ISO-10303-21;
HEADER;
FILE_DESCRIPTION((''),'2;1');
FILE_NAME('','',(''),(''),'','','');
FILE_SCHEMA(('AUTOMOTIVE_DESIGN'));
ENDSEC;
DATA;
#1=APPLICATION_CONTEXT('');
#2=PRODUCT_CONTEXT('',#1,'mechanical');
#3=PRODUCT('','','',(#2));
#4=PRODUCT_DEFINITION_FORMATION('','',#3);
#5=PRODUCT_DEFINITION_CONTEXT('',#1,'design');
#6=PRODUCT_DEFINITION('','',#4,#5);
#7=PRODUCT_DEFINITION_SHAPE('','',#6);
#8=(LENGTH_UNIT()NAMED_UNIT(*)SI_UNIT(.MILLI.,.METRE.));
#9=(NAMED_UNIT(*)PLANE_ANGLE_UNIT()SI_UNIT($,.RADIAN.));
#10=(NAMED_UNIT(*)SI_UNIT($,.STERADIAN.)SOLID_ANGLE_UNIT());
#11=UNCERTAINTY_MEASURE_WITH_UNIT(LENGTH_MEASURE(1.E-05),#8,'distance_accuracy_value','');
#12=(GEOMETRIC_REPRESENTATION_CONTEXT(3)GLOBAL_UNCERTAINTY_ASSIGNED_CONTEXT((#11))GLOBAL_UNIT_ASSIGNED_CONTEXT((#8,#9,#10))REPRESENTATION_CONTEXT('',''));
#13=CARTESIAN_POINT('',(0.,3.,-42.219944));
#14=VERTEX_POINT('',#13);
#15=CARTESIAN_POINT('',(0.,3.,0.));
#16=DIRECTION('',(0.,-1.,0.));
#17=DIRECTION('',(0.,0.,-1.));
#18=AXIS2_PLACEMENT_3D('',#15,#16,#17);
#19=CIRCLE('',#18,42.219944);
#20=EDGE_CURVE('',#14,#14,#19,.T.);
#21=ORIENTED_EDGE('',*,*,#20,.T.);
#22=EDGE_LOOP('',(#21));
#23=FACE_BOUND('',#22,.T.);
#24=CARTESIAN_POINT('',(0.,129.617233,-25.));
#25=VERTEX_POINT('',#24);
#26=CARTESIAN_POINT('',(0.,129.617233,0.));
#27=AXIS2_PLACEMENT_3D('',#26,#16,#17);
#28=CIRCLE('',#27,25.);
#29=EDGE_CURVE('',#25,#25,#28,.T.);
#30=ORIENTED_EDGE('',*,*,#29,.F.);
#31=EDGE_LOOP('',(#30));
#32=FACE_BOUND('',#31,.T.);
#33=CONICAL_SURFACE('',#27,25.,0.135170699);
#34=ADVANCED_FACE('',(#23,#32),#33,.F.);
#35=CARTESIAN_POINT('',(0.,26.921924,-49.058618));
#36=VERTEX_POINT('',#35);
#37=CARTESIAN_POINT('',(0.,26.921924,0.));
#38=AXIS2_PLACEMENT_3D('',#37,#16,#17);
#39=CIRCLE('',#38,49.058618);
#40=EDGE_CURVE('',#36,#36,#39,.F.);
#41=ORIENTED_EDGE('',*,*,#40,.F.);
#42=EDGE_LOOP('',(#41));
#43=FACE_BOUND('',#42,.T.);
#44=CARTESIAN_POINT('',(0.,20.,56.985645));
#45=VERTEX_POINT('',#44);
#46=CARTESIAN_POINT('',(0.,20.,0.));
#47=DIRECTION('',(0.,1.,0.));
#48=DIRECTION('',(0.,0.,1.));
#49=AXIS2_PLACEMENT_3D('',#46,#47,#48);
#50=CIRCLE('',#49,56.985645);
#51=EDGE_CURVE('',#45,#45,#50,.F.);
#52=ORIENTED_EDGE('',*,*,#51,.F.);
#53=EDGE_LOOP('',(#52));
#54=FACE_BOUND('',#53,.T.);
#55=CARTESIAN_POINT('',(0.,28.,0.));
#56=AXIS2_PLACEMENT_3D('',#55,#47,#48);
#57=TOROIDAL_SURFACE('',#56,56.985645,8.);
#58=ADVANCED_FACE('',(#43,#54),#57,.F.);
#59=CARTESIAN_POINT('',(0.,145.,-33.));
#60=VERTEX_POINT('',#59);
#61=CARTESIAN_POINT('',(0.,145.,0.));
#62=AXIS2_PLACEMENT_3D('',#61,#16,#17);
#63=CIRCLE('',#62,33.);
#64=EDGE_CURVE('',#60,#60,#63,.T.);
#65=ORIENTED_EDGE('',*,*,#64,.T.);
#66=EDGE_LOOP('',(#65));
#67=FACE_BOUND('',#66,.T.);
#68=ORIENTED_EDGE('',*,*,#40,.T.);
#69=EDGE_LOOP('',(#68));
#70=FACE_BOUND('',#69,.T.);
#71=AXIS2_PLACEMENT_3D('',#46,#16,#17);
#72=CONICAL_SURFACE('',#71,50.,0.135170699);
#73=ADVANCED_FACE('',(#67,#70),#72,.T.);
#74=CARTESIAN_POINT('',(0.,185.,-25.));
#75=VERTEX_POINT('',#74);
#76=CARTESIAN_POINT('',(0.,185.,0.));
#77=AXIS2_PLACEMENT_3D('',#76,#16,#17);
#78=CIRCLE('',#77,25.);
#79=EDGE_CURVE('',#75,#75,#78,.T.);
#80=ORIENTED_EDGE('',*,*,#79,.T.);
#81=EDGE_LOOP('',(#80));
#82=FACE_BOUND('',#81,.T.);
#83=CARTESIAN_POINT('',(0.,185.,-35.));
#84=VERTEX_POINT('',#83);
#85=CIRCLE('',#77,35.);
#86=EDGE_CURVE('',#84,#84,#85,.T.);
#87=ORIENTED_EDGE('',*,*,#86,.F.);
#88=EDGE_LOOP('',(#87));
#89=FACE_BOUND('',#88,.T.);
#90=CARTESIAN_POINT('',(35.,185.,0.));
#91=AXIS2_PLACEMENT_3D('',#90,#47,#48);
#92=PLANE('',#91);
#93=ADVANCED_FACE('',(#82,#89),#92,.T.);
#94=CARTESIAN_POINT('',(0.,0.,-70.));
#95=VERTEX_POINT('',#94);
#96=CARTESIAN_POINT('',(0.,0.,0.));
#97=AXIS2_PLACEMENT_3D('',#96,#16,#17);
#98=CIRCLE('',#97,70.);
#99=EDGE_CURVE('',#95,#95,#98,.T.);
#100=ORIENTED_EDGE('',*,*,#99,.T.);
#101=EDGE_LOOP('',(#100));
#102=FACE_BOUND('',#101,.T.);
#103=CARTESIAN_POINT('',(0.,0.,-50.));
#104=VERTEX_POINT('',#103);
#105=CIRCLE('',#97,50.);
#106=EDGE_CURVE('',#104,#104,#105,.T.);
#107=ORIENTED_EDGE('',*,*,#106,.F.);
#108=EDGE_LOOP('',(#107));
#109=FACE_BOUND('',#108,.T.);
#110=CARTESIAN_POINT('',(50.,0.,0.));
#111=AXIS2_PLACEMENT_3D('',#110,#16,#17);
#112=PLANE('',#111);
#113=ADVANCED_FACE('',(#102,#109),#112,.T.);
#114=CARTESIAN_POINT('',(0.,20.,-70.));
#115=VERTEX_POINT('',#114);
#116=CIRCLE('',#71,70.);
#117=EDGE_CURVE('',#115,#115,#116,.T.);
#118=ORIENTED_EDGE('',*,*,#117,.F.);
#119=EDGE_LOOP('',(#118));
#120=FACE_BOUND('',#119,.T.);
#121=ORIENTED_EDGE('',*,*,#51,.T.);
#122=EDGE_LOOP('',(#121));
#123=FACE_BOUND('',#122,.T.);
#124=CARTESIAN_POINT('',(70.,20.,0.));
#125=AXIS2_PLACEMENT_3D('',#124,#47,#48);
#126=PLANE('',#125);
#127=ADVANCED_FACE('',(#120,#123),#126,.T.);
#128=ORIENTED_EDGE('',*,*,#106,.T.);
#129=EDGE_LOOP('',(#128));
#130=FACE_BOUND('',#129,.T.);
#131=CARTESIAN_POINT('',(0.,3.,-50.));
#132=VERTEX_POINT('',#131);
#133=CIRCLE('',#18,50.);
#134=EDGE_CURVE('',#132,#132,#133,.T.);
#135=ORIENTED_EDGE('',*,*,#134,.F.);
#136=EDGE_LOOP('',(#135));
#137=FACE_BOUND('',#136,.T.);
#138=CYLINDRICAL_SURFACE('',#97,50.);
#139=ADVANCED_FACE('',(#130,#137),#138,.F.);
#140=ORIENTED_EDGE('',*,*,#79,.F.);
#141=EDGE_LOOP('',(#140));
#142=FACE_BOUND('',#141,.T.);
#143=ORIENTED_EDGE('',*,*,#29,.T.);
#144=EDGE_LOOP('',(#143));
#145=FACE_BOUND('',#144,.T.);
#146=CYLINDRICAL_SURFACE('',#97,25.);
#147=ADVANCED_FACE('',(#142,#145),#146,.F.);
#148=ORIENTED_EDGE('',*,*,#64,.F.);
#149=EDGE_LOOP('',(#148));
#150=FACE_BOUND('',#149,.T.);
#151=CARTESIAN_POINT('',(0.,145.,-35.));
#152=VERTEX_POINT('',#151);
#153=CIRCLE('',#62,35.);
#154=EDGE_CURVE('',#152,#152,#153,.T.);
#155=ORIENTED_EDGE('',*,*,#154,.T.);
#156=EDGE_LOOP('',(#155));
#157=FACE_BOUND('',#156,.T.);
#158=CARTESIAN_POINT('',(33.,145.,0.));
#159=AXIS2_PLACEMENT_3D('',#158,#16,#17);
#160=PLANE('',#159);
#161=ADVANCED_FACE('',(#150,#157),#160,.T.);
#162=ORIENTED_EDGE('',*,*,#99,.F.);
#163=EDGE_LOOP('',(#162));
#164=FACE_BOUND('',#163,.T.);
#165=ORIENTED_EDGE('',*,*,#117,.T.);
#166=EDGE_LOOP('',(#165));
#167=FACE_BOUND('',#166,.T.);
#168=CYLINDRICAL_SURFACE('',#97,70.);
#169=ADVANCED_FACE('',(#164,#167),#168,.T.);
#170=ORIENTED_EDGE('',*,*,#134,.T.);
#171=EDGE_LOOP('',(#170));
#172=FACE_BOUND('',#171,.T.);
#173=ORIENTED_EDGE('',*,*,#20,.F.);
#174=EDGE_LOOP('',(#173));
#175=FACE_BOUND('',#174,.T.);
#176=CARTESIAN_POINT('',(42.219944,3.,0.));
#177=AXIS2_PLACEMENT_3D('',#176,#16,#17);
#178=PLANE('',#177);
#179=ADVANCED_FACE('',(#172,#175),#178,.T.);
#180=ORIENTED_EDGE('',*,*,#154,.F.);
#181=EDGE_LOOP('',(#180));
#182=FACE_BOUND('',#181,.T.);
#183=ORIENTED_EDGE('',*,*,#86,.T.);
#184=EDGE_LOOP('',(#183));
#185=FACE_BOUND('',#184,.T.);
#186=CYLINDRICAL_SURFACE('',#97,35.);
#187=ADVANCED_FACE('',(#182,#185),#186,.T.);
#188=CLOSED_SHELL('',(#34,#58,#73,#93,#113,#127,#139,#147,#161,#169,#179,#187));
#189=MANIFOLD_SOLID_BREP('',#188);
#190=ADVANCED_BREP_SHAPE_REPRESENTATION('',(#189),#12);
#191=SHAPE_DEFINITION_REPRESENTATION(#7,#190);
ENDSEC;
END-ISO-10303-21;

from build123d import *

# Parameters (mm, degrees)
FILLET1_R = 8


with BuildPart() as part:
    # Sketch1 → Revolve1 (revolve)
    with BuildSketch(Plane.XY):
        Polygon((50, 0), (70, 0), (70, 20), (50, 20), (33, 145), (35, 145), (35, 185), (25, 185), (25, 129.61723322), (42.219943718, 3), (50, 3), align=None)
    revolve(axis=Axis((0, 0, 0), (0, 1, 0)))

    # Fillet1
    fillet1_edges = [part.edges().sort_by_distance(p)[0] for p in [
        (-50, 20, 0),
    ]]
    fillet(fillet1_edges, radius=FILLET1_R)


solid = part.part
